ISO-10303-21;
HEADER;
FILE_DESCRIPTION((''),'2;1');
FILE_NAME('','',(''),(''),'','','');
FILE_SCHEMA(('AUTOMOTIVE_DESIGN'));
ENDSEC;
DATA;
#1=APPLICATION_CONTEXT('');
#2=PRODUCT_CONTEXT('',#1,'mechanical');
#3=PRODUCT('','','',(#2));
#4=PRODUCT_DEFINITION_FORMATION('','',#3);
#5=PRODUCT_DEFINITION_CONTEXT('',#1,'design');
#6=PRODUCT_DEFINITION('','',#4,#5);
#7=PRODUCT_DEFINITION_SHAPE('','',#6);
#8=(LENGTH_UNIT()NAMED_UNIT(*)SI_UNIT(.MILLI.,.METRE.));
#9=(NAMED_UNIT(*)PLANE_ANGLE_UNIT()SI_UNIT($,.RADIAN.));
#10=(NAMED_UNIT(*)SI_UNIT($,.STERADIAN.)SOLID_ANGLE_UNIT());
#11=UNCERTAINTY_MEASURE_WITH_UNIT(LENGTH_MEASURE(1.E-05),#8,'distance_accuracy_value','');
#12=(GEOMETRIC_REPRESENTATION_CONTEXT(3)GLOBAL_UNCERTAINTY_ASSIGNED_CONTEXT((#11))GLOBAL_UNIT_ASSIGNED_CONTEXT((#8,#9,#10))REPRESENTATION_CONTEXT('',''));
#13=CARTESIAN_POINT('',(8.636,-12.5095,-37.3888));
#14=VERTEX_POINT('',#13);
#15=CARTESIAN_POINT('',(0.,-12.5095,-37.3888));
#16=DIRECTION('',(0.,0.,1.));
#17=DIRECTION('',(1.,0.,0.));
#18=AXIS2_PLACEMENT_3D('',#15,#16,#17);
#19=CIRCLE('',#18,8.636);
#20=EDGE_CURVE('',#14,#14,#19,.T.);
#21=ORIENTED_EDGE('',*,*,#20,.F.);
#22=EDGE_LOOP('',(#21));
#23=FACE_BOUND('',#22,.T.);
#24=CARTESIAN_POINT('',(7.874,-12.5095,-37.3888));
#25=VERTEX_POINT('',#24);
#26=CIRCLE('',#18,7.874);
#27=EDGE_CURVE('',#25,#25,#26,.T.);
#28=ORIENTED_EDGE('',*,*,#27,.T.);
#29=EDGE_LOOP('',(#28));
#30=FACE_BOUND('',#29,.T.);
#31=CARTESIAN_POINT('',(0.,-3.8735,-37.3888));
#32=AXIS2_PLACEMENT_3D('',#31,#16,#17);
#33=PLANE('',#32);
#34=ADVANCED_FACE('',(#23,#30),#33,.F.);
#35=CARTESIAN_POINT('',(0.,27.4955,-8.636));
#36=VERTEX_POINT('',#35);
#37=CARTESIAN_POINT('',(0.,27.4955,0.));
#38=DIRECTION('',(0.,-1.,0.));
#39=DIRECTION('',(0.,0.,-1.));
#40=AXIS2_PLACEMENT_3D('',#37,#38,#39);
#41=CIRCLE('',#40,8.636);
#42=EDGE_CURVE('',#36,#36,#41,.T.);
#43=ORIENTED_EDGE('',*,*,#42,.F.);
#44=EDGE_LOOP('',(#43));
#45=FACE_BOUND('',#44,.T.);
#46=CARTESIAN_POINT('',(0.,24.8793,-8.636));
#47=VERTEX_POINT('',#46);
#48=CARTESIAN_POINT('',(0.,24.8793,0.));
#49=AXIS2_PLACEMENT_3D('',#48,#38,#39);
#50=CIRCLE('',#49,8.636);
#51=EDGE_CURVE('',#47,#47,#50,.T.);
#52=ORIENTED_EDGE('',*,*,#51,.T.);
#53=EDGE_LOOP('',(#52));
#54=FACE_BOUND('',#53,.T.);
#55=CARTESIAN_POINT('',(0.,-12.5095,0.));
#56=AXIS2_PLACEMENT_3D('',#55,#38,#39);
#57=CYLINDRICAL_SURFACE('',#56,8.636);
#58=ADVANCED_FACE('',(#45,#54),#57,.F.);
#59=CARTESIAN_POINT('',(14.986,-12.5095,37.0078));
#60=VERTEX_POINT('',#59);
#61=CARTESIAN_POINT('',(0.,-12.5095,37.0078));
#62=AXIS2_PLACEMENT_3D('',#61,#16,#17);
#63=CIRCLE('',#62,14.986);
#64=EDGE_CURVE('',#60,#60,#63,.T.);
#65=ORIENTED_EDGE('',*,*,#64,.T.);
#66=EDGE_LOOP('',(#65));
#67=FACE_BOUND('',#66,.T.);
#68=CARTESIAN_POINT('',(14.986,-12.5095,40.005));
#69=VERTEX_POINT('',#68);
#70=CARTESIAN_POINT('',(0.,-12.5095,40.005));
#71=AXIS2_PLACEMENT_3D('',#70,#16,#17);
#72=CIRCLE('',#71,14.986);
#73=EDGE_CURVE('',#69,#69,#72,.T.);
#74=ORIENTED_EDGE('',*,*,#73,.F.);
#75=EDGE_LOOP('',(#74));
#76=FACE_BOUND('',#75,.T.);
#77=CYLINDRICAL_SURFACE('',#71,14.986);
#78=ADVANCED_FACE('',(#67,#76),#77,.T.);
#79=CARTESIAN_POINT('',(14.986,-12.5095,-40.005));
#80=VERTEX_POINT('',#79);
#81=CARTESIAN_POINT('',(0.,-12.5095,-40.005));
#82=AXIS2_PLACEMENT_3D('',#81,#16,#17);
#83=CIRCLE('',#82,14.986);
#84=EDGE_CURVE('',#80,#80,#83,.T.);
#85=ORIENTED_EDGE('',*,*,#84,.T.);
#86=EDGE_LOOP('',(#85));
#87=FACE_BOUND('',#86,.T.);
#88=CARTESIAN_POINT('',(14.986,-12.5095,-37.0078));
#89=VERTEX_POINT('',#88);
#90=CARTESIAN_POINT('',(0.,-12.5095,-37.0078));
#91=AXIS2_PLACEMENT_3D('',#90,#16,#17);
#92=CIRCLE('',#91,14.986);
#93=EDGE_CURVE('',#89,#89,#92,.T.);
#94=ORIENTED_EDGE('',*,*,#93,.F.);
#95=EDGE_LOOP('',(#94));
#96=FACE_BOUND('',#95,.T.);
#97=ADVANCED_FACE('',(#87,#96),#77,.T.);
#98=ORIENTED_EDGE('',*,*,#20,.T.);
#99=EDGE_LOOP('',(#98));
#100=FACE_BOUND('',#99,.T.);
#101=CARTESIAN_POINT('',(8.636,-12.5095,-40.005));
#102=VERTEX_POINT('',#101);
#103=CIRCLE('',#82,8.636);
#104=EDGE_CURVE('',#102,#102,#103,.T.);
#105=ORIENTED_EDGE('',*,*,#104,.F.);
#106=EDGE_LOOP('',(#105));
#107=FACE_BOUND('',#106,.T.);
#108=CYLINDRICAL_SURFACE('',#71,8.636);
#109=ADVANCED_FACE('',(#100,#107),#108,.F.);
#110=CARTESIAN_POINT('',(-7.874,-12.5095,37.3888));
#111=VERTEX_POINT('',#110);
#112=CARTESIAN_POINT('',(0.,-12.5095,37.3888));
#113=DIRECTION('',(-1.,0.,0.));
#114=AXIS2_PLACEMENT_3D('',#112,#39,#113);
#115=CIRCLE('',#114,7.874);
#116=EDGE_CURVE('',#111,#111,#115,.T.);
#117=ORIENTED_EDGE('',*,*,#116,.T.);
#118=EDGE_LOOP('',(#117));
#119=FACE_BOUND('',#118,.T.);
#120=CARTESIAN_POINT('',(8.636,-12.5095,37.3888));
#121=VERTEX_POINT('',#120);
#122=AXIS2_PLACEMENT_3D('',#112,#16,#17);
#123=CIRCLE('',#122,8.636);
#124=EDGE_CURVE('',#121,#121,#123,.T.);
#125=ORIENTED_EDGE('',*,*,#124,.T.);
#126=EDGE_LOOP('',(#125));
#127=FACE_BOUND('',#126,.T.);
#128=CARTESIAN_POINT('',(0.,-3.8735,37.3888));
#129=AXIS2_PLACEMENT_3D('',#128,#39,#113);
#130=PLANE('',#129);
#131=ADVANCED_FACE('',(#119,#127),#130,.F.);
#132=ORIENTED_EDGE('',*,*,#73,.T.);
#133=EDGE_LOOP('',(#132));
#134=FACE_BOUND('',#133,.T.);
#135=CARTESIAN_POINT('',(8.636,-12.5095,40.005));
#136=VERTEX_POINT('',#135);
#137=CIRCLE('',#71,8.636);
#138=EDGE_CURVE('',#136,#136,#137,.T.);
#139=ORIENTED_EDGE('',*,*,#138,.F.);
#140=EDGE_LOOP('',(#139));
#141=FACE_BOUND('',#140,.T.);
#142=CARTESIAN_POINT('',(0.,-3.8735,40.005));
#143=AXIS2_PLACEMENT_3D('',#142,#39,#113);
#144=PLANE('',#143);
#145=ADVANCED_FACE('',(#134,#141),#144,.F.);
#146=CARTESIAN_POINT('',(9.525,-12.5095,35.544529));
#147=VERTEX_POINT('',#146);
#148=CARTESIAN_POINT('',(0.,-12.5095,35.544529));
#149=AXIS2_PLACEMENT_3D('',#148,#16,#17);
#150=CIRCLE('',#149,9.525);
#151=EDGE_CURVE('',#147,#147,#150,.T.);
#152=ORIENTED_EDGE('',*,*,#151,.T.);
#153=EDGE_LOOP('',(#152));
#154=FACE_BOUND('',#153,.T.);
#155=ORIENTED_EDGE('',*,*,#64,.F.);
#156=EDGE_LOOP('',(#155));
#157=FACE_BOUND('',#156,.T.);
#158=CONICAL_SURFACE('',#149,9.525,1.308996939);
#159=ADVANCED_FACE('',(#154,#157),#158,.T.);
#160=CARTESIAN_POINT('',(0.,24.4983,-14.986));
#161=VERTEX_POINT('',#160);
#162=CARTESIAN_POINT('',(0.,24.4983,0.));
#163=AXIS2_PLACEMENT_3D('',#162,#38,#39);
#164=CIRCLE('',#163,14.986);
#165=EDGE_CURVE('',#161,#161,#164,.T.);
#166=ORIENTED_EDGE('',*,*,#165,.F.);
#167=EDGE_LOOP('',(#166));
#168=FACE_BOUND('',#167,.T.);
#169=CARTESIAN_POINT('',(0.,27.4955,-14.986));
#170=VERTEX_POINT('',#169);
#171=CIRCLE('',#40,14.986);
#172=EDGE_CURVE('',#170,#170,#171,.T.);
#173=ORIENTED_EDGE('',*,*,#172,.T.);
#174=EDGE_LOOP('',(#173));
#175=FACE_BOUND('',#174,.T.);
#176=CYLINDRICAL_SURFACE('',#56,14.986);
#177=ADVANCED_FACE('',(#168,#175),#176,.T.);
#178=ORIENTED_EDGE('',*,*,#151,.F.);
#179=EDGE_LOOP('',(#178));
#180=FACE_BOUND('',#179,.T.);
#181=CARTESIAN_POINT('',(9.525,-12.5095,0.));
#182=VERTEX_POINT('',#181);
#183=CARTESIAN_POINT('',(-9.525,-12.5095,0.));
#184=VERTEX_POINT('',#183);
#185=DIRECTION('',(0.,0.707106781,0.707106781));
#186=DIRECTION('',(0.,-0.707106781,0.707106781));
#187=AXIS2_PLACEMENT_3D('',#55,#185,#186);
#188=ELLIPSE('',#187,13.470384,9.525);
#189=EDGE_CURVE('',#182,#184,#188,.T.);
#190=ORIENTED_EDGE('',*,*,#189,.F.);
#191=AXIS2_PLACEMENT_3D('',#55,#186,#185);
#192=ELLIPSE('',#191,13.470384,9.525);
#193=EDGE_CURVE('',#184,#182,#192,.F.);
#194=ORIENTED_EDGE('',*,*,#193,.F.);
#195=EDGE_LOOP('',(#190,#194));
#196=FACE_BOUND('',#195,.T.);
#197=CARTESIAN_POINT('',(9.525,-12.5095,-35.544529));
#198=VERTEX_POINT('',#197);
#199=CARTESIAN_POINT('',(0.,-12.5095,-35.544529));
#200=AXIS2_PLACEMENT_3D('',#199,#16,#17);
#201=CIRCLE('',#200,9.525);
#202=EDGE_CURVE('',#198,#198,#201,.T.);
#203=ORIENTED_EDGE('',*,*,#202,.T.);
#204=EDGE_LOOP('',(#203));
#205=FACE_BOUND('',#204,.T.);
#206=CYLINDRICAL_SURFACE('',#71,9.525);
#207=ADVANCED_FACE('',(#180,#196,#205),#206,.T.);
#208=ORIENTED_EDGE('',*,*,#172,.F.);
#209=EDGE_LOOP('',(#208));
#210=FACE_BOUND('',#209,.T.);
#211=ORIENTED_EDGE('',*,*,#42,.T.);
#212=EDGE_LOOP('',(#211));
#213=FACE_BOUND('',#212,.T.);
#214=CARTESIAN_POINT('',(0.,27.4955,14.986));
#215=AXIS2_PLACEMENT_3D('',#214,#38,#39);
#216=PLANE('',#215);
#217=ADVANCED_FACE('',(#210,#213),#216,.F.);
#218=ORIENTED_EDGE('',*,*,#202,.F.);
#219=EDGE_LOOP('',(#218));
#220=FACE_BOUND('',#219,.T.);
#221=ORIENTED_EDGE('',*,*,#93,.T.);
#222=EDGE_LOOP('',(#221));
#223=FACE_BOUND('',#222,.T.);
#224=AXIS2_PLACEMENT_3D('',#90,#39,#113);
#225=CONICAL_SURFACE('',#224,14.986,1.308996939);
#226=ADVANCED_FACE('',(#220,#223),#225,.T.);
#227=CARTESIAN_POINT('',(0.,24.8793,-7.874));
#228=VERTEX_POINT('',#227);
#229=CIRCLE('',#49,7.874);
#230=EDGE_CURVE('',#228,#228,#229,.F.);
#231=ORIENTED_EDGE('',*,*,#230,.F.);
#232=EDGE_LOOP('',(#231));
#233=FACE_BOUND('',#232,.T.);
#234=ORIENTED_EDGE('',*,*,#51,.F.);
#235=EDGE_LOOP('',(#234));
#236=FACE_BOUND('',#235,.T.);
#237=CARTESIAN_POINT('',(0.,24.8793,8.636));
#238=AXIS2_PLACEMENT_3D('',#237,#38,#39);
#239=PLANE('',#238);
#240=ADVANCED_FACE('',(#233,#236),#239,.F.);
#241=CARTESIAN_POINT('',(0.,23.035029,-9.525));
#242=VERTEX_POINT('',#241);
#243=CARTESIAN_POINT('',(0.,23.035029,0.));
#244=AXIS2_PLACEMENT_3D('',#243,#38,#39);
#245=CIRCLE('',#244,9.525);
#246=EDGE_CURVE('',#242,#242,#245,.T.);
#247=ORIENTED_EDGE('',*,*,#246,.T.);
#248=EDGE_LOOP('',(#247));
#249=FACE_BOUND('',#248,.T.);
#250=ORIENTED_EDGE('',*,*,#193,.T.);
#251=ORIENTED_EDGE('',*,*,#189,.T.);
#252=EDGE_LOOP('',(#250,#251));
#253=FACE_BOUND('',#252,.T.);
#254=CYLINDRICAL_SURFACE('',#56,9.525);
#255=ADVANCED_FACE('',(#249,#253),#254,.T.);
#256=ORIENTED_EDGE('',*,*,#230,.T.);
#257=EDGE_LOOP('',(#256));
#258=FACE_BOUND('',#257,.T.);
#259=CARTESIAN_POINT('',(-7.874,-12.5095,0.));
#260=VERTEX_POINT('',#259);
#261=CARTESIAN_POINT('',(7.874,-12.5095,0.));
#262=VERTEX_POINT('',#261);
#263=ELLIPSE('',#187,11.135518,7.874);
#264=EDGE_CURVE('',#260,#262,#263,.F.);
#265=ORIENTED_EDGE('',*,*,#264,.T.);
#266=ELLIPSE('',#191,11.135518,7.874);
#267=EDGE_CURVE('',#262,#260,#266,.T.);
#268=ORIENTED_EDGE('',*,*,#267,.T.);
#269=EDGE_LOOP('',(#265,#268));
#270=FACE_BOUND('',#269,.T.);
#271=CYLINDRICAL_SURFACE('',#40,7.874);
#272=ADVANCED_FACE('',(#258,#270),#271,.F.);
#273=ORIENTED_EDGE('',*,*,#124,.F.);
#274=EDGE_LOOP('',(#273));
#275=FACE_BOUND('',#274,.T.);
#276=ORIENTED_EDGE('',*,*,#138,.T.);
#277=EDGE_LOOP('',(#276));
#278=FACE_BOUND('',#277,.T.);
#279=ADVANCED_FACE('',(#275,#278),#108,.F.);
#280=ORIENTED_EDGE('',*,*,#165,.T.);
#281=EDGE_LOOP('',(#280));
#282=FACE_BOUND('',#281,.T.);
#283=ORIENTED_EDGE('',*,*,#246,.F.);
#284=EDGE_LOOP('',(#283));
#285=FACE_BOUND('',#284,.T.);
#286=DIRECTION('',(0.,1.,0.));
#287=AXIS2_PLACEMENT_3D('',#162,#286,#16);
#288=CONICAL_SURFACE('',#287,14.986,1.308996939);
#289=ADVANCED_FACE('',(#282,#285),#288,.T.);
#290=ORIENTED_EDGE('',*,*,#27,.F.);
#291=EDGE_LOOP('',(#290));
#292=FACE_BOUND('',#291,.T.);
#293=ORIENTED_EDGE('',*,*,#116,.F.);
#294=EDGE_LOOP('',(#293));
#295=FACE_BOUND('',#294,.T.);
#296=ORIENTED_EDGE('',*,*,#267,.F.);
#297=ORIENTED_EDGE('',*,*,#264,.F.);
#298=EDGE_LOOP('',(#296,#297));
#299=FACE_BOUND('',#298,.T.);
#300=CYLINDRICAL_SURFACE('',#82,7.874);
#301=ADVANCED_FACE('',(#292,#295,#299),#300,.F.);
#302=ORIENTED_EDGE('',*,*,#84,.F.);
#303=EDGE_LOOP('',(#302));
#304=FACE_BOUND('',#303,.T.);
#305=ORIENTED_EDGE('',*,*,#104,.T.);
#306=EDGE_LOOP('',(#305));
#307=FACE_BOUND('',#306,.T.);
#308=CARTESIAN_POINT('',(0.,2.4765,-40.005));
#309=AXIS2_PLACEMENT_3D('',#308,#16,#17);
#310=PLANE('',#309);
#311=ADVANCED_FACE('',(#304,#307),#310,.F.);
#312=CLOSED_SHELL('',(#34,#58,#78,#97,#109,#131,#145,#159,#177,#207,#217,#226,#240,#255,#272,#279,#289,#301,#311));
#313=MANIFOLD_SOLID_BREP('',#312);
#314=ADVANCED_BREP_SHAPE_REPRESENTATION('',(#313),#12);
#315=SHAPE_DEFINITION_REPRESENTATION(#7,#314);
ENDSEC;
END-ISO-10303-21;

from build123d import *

# Parameters (mm, degrees)
CUT_EXTRUDE1_DEPTH      = 51.803373325
CUT_EXTRUDE1_DEPTH_BACK = 51.803373325
SKETCH4_R               = 7.874
CUT_EXTRUDE2_START      = -12.5095
SKETCH5_R               = 7.874
CUT_EXTRUDE2_DEPTH      = 64.312873325


with BuildPart() as part:
    # Sketch2 → Revolve1 (revolve)
    with BuildSketch(Plane(origin=(0, 0, 0), x_dir=(0, 0, -1), z_dir=(1, 0, 0)), mode=Mode.PRIVATE) as revolve1_sk:
        Polygon((-40.005, 2.4765), (-37.0078, 2.4765), (-35.54452946, -2.9845), (35.54452946, -2.9845), (37.0078, 2.4765), (40.005, 2.4765), (40.005, -3.8735), (37.3888, -3.8735), (37.3888, -12.5095), (-37.3888, -12.5095), (-37.3888, -3.8735), (-40.005, -3.8735), align=None)
    revolve(revolve1_sk.sketch.rotate(Axis((0, -12.5095, 40.005), (0, 0, -1)), 90), axis=Axis((0, -12.5095, 40.005), (0, 0, -1)))

    # Sketch3 → Revolve2 (revolve)
    with BuildSketch(Plane(origin=(0, 0, 0), x_dir=(0, 0, -1), z_dir=(1, 0, 0)), mode=Mode.PRIVATE) as revolve2_sk:
        Polygon((-14.986, 27.4955), (-14.986, 24.4983), (-9.525, 23.03502946), (-9.525, -12.5095), (0, -12.5095), (0, 24.8793), (-8.636, 24.8793), (-8.636, 27.4955), align=None)
    revolve(revolve2_sk.sketch.rotate(Axis((0, -12.5095, 0), (0, 1, 0)), 180), axis=Axis((0, -12.5095, 0), (0, 1, 0)))

    # Sketch4 → Cut-Extrude1 (cut, two sides: drawn at the far end of the back side and taken through both)
    with BuildSketch(Plane.XY.offset(-CUT_EXTRUDE1_DEPTH_BACK)):
        with Locations((0, -12.5095)):
            Circle(SKETCH4_R)
    extrude(amount=CUT_EXTRUDE1_DEPTH + CUT_EXTRUDE1_DEPTH_BACK, mode=Mode.SUBTRACT)

    # Sketch5 → Cut-Extrude2 (cut, through all)
    with BuildSketch(Plane(origin=(0, 0, 0), x_dir=(1, 0, 0), z_dir=(0, 1, 0)).offset(CUT_EXTRUDE2_START)):
        with Locations(Location((0, 0, 0), (0, 0, 90))):
            Circle(SKETCH5_R)
    extrude(amount=CUT_EXTRUDE2_DEPTH, mode=Mode.SUBTRACT)


solid = part.part
